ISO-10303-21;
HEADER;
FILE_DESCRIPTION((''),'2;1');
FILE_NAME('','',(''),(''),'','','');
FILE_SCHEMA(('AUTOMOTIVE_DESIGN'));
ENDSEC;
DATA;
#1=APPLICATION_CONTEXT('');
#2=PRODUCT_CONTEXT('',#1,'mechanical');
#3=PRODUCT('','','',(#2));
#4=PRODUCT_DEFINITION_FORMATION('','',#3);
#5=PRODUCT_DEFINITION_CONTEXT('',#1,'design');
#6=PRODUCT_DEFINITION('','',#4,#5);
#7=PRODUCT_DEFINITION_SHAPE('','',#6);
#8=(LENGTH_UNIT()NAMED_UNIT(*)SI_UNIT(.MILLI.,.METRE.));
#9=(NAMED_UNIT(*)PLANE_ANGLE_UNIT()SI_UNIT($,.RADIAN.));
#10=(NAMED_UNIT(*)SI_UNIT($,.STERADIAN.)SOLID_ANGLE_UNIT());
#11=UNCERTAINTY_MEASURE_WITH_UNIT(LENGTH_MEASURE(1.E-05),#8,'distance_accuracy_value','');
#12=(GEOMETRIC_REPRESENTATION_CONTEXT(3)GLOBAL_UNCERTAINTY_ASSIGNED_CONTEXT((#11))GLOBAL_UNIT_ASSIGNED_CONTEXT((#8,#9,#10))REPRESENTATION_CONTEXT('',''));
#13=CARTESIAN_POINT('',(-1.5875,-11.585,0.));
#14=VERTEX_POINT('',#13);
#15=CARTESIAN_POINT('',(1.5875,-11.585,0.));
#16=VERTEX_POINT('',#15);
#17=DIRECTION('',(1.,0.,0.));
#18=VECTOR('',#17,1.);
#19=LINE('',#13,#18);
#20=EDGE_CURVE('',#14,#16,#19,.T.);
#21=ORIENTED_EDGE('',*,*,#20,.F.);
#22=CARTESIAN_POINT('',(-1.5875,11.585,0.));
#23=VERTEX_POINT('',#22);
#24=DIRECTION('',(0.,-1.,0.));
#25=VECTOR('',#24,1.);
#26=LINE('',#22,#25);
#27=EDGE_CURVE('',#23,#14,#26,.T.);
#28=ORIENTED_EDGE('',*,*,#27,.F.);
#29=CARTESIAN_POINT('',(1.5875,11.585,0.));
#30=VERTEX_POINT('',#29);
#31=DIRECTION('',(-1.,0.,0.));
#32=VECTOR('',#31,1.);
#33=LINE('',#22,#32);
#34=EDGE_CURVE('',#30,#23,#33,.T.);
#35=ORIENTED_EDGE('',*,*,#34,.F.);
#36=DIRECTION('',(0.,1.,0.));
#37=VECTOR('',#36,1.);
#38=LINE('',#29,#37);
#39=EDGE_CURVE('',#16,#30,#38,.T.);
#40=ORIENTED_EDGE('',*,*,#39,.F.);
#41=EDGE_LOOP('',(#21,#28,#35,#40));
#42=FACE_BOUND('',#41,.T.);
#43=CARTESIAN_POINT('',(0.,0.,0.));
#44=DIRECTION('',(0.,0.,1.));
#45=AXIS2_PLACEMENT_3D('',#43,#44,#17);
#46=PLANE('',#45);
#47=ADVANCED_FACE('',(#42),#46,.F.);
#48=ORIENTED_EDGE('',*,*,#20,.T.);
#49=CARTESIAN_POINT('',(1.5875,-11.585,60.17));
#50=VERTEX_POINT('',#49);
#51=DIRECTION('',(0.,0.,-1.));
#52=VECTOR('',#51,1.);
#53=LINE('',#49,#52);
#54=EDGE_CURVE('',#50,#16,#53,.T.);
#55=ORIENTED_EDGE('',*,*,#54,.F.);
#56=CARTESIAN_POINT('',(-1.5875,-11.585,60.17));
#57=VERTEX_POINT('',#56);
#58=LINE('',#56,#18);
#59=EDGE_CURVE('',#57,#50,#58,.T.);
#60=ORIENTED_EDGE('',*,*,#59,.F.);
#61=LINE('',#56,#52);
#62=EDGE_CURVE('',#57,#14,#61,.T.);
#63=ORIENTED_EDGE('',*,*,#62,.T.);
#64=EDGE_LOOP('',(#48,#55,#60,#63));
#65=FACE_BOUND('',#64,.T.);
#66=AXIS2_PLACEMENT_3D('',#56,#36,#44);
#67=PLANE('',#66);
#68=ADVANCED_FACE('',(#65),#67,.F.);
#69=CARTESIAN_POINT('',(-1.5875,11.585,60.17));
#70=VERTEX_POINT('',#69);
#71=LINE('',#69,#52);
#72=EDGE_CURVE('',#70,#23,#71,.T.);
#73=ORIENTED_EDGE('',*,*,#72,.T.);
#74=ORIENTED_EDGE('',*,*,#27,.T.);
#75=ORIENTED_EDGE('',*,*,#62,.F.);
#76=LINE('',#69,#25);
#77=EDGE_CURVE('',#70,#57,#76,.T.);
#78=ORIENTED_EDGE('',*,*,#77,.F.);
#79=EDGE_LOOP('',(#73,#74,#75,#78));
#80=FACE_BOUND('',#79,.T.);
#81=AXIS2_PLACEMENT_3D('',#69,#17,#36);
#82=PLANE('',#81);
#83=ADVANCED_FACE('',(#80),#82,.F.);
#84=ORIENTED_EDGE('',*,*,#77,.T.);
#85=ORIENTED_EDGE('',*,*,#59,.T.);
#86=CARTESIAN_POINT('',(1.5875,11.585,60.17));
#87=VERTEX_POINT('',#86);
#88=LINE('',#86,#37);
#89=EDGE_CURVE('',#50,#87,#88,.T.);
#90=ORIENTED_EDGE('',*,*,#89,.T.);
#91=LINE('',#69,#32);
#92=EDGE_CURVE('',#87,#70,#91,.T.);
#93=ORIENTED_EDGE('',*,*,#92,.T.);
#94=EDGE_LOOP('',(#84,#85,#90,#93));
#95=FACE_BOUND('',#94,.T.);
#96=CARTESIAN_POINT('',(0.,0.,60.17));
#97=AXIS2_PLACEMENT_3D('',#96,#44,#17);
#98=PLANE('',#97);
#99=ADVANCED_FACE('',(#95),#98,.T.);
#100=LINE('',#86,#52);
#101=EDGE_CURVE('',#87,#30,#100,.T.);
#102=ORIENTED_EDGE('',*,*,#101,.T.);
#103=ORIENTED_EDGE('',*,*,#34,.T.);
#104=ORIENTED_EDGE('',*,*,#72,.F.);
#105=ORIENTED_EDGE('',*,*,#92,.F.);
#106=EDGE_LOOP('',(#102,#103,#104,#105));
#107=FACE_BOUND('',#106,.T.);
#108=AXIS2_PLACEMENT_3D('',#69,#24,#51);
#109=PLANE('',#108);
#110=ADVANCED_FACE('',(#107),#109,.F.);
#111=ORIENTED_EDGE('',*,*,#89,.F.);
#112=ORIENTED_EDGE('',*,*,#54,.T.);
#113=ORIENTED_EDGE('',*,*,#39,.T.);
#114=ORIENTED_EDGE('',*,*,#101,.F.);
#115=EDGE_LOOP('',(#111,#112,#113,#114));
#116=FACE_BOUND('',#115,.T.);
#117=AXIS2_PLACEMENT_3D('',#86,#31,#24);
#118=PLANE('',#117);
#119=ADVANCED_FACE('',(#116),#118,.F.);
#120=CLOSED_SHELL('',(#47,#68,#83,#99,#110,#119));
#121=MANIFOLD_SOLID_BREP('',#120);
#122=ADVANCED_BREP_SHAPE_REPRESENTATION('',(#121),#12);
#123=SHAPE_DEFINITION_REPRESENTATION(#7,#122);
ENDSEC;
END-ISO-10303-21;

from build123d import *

# Parameters (mm, degrees)
SKETCH1_W           = 3.175
SKETCH1_H           = 23.17
BOSS_EXTRUDE1_DEPTH = 60.17


with BuildPart() as part:
    # Sketch1 → Boss-Extrude1 (new body)
    with BuildSketch(Plane.XY):
        Rectangle(SKETCH1_W, SKETCH1_H)
    extrude(amount=BOSS_EXTRUDE1_DEPTH)


solid = part.part
